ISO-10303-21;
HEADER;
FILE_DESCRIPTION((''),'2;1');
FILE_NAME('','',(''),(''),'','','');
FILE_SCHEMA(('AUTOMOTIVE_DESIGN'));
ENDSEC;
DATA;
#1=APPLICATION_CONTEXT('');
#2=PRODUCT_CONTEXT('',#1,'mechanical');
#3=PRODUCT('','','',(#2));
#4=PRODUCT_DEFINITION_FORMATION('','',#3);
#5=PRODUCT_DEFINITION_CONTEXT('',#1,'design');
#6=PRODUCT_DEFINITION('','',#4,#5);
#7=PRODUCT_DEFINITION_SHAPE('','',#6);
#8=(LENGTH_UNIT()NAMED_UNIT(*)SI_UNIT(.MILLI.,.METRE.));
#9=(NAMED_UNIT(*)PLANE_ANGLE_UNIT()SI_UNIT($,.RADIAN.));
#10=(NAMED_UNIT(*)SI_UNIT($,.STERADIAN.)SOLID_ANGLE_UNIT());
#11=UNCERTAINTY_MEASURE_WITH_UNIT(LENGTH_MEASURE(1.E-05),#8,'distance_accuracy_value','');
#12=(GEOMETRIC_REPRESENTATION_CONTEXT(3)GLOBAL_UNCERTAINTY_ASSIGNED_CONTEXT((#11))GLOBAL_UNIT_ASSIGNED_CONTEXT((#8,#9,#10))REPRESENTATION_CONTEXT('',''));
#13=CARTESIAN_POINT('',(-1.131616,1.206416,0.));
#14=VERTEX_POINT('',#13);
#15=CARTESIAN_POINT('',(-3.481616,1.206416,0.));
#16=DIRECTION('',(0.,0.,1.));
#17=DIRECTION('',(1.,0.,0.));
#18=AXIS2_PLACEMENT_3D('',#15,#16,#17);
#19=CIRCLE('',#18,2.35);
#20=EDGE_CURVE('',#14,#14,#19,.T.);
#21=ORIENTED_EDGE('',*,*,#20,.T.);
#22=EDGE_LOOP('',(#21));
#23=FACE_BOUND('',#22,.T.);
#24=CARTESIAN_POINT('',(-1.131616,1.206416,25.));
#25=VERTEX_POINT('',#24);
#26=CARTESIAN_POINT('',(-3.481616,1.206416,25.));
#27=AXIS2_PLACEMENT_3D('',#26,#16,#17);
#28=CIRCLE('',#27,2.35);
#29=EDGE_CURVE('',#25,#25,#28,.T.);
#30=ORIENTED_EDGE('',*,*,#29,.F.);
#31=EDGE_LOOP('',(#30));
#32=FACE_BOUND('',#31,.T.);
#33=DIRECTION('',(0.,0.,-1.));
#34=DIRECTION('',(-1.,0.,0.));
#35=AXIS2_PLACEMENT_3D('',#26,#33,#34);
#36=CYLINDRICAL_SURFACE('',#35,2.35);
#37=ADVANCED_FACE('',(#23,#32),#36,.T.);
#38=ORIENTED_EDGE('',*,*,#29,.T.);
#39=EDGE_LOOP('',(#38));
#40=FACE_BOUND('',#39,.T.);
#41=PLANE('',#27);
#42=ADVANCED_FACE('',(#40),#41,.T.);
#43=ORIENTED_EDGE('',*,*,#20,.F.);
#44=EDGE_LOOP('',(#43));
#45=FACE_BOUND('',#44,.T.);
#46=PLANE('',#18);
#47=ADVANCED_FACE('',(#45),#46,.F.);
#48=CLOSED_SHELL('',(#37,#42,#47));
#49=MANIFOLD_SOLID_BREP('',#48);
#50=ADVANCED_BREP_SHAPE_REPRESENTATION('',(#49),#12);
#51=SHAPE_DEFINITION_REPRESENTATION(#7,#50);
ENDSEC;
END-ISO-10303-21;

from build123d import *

# Parameters (mm, degrees)
ESQUISSE1_R        = 2.35
BOSS_EXTRU_1_DEPTH = 25


with BuildPart() as part:
    # Esquisse1 → Boss.-Extru.1 (new body)
    with BuildSketch(Plane.XY):
        with Locations((-3.481616006, 1.206416009)):
            Circle(ESQUISSE1_R)
    extrude(amount=BOSS_EXTRU_1_DEPTH)


solid = part.part
